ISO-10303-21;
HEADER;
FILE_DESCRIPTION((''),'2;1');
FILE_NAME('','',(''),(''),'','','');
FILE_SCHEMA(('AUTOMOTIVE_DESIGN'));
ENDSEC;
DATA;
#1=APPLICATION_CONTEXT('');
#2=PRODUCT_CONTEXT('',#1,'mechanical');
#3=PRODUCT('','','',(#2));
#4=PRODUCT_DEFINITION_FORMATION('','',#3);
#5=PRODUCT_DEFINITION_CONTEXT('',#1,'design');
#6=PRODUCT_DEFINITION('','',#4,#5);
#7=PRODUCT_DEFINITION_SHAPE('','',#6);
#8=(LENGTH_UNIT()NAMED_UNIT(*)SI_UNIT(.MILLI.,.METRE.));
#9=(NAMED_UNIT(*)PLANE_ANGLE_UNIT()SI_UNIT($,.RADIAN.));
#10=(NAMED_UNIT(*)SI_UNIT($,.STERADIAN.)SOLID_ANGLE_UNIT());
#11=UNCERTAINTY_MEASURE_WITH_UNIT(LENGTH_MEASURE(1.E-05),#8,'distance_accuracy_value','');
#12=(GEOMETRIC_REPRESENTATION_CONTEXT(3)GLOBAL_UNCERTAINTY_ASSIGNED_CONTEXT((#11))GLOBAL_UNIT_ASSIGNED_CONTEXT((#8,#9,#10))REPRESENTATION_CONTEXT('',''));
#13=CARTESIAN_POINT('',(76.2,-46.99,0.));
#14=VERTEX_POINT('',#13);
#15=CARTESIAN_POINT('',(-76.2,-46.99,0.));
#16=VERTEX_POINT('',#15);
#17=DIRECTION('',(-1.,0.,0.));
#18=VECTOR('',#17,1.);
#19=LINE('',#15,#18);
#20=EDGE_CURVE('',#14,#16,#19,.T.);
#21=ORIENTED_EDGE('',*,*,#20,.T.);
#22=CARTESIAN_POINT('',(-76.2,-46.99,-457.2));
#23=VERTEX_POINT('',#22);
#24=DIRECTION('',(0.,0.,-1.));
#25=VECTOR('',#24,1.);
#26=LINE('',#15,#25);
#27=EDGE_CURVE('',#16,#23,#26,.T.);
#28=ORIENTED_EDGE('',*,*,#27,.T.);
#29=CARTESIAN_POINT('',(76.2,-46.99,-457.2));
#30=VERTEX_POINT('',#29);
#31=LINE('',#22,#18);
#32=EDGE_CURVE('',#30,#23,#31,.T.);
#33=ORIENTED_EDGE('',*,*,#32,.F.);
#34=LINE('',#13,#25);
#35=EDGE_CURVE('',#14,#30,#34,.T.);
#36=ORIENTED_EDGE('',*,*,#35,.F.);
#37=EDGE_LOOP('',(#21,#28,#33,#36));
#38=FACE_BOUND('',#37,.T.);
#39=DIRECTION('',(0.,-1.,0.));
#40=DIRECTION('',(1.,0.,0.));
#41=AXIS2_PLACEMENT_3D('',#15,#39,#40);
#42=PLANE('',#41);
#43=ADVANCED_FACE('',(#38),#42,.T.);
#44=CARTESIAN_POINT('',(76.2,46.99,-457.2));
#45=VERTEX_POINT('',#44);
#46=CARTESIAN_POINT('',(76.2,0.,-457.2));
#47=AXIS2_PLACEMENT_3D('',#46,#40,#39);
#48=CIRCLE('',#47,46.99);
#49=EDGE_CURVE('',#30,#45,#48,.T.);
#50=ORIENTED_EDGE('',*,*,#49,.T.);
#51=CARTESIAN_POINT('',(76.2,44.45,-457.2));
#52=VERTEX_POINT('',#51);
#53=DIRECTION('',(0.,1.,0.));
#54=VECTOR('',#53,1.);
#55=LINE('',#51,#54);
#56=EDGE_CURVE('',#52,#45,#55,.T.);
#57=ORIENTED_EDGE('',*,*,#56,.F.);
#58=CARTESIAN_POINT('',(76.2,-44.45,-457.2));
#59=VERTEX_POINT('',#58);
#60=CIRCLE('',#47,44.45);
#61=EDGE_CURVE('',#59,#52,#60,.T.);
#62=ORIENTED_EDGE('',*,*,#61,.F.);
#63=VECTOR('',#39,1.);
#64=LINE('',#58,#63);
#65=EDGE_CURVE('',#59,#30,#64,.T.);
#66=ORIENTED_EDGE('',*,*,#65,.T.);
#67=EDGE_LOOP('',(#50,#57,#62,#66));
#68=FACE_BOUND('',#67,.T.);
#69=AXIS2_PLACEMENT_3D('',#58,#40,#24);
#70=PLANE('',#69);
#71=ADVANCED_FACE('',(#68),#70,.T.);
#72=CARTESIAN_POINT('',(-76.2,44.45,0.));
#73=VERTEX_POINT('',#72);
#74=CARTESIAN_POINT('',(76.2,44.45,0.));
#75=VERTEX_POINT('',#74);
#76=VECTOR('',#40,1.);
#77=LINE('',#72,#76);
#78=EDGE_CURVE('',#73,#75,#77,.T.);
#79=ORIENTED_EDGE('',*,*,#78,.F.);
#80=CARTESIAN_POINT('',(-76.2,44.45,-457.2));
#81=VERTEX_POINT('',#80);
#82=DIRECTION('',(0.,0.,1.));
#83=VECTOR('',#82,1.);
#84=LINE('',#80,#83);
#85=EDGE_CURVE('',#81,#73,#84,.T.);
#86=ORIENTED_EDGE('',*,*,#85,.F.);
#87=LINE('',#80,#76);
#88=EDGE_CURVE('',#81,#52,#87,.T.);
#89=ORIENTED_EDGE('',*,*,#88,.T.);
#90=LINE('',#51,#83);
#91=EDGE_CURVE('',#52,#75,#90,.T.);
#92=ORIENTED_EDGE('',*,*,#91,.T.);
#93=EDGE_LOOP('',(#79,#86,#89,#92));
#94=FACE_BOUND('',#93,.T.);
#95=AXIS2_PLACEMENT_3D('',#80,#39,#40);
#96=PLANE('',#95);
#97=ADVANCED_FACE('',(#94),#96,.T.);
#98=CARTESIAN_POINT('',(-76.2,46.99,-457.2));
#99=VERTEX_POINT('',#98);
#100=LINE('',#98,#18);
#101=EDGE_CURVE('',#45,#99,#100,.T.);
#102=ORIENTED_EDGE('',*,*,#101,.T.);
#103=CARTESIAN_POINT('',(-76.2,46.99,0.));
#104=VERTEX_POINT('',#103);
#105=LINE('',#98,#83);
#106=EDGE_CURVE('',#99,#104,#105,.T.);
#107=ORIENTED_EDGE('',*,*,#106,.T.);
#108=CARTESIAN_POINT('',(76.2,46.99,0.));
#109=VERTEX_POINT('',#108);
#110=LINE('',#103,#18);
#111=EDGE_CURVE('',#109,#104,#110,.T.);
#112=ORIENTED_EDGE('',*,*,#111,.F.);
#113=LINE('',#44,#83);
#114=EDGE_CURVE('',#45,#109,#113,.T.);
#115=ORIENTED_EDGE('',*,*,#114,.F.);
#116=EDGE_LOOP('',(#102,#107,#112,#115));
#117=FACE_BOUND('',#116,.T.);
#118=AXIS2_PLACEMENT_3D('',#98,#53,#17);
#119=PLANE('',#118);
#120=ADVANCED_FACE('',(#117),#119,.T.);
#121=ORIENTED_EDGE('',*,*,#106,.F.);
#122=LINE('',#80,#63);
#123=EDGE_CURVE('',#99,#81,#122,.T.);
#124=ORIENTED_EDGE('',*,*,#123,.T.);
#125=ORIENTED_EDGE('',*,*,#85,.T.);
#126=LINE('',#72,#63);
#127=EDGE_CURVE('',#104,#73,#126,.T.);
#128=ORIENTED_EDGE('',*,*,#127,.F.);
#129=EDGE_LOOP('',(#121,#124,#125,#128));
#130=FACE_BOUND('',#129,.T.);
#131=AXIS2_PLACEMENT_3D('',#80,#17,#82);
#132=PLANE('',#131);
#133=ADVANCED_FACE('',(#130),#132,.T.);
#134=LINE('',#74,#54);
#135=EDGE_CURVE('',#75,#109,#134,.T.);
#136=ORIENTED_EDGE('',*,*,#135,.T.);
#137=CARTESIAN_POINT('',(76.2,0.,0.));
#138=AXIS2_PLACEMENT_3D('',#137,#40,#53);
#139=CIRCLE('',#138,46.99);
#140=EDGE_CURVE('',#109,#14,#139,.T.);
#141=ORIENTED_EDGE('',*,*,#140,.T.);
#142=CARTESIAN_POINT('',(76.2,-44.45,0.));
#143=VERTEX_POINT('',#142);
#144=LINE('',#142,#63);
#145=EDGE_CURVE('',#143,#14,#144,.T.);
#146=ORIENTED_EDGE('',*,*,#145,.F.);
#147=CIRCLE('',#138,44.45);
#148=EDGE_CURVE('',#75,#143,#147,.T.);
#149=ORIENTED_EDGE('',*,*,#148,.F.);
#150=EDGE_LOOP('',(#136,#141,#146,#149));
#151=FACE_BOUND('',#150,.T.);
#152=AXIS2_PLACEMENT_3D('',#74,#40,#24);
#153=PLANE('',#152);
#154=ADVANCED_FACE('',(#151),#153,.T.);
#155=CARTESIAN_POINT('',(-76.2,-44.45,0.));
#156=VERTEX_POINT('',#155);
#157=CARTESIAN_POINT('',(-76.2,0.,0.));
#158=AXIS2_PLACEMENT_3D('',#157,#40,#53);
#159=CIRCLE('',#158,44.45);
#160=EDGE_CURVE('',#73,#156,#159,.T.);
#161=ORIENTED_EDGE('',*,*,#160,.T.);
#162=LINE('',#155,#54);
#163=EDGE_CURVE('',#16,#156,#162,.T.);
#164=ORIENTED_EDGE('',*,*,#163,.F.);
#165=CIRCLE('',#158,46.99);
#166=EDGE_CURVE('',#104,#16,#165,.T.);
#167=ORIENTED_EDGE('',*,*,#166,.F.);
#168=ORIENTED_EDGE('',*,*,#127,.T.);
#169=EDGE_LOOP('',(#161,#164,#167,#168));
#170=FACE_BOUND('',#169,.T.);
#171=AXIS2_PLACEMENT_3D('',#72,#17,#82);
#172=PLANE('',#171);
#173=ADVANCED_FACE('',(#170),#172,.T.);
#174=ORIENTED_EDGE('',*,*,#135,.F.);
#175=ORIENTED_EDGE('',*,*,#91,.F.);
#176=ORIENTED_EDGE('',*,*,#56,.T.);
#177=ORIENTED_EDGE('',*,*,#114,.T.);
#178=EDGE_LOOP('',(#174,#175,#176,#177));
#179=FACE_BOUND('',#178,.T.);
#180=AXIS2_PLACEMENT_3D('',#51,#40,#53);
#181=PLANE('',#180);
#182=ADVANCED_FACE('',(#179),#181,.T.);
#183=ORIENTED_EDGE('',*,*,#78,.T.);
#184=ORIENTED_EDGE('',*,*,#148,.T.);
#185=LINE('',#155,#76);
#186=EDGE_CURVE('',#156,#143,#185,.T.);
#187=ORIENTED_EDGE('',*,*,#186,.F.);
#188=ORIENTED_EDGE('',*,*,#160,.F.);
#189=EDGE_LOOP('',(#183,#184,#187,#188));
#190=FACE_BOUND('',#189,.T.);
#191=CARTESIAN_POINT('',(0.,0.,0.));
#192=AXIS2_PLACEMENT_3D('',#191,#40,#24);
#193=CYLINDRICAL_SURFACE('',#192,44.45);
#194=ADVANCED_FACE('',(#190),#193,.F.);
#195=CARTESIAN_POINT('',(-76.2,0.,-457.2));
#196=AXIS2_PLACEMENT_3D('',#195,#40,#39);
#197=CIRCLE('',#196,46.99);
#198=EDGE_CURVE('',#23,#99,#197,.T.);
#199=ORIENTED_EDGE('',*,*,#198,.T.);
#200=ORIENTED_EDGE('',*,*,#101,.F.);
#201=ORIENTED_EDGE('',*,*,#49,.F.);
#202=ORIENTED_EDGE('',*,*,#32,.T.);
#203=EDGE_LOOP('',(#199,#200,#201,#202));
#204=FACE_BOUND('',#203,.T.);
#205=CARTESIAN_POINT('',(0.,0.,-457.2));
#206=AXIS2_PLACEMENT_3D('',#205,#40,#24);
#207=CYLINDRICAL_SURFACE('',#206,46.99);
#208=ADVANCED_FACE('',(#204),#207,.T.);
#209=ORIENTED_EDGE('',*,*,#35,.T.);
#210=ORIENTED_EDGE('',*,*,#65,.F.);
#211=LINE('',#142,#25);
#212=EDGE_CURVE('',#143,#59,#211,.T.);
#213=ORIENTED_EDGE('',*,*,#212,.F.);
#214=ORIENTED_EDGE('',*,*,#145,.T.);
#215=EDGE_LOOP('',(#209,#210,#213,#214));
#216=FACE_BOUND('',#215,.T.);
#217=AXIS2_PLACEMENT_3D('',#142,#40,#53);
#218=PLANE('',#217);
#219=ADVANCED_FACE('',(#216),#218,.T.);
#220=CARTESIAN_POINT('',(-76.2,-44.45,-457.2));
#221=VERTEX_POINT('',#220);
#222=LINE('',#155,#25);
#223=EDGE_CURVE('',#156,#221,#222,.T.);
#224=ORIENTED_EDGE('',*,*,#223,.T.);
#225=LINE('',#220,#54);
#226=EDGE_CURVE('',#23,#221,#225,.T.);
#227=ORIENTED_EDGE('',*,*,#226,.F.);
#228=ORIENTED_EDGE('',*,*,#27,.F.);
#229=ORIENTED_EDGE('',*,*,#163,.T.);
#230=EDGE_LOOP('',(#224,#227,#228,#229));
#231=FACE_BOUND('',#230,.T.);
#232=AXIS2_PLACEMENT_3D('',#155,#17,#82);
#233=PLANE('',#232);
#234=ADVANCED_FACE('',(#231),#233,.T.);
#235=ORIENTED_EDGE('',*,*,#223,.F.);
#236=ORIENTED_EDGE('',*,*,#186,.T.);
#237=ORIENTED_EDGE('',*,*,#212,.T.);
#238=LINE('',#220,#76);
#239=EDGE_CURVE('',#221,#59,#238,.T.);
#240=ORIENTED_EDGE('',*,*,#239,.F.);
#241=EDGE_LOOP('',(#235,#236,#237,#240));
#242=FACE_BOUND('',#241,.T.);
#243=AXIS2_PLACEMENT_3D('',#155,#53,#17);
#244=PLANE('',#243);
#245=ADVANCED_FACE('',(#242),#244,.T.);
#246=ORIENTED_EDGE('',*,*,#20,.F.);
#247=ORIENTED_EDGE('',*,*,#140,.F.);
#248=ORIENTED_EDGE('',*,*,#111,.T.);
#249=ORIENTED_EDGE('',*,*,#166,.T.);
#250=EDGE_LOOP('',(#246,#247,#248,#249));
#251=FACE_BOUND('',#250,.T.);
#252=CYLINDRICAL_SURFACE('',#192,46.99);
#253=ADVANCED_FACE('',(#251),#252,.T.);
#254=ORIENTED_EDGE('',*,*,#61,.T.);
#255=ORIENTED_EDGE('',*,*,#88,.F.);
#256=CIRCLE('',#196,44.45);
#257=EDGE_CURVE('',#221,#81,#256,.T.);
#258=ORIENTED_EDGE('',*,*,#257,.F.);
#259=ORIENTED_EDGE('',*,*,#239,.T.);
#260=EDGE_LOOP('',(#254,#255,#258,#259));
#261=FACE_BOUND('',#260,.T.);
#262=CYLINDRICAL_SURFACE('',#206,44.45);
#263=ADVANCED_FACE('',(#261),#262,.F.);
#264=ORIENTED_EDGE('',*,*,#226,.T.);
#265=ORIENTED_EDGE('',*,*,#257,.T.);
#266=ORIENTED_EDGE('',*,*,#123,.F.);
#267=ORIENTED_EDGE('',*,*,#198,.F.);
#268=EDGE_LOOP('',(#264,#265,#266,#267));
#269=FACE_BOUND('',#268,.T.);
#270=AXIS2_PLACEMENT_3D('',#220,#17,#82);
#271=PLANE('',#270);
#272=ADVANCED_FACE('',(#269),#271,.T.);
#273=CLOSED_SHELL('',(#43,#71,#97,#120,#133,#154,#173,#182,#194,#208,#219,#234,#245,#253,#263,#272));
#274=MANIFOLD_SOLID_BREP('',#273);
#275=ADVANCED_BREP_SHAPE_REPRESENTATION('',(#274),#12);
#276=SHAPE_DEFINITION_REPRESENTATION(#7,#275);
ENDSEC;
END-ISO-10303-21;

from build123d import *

# Parameters (mm, degrees)
SKETCH1_W = 152.4
SKETCH1_H = 2.54


with BuildPart() as part:
    # Sweep1: sweep along a path in Sketch2
    with BuildLine(Plane(origin=(0, 0, 0), x_dir=(0, 0, -1), z_dir=(1, 0, 0))) as sweep1_path:
        Line((0, 45.72), (457.2, 45.72))
        ThreePointArc((457.2, 45.72), (502.92, 0), (457.2, -45.72))
        Line((457.2, -45.72), (0, -45.72))
        ThreePointArc((0, -45.72), (-45.72, 0), (0, 45.72))
    # Sketch1 → Sweep1 (sweep)
    with BuildSketch(Plane.XY):
        with Locations((0, 45.72)):
            Rectangle(SKETCH1_W, SKETCH1_H)
    sweep(path=sweep1_path.line)


solid = part.part
